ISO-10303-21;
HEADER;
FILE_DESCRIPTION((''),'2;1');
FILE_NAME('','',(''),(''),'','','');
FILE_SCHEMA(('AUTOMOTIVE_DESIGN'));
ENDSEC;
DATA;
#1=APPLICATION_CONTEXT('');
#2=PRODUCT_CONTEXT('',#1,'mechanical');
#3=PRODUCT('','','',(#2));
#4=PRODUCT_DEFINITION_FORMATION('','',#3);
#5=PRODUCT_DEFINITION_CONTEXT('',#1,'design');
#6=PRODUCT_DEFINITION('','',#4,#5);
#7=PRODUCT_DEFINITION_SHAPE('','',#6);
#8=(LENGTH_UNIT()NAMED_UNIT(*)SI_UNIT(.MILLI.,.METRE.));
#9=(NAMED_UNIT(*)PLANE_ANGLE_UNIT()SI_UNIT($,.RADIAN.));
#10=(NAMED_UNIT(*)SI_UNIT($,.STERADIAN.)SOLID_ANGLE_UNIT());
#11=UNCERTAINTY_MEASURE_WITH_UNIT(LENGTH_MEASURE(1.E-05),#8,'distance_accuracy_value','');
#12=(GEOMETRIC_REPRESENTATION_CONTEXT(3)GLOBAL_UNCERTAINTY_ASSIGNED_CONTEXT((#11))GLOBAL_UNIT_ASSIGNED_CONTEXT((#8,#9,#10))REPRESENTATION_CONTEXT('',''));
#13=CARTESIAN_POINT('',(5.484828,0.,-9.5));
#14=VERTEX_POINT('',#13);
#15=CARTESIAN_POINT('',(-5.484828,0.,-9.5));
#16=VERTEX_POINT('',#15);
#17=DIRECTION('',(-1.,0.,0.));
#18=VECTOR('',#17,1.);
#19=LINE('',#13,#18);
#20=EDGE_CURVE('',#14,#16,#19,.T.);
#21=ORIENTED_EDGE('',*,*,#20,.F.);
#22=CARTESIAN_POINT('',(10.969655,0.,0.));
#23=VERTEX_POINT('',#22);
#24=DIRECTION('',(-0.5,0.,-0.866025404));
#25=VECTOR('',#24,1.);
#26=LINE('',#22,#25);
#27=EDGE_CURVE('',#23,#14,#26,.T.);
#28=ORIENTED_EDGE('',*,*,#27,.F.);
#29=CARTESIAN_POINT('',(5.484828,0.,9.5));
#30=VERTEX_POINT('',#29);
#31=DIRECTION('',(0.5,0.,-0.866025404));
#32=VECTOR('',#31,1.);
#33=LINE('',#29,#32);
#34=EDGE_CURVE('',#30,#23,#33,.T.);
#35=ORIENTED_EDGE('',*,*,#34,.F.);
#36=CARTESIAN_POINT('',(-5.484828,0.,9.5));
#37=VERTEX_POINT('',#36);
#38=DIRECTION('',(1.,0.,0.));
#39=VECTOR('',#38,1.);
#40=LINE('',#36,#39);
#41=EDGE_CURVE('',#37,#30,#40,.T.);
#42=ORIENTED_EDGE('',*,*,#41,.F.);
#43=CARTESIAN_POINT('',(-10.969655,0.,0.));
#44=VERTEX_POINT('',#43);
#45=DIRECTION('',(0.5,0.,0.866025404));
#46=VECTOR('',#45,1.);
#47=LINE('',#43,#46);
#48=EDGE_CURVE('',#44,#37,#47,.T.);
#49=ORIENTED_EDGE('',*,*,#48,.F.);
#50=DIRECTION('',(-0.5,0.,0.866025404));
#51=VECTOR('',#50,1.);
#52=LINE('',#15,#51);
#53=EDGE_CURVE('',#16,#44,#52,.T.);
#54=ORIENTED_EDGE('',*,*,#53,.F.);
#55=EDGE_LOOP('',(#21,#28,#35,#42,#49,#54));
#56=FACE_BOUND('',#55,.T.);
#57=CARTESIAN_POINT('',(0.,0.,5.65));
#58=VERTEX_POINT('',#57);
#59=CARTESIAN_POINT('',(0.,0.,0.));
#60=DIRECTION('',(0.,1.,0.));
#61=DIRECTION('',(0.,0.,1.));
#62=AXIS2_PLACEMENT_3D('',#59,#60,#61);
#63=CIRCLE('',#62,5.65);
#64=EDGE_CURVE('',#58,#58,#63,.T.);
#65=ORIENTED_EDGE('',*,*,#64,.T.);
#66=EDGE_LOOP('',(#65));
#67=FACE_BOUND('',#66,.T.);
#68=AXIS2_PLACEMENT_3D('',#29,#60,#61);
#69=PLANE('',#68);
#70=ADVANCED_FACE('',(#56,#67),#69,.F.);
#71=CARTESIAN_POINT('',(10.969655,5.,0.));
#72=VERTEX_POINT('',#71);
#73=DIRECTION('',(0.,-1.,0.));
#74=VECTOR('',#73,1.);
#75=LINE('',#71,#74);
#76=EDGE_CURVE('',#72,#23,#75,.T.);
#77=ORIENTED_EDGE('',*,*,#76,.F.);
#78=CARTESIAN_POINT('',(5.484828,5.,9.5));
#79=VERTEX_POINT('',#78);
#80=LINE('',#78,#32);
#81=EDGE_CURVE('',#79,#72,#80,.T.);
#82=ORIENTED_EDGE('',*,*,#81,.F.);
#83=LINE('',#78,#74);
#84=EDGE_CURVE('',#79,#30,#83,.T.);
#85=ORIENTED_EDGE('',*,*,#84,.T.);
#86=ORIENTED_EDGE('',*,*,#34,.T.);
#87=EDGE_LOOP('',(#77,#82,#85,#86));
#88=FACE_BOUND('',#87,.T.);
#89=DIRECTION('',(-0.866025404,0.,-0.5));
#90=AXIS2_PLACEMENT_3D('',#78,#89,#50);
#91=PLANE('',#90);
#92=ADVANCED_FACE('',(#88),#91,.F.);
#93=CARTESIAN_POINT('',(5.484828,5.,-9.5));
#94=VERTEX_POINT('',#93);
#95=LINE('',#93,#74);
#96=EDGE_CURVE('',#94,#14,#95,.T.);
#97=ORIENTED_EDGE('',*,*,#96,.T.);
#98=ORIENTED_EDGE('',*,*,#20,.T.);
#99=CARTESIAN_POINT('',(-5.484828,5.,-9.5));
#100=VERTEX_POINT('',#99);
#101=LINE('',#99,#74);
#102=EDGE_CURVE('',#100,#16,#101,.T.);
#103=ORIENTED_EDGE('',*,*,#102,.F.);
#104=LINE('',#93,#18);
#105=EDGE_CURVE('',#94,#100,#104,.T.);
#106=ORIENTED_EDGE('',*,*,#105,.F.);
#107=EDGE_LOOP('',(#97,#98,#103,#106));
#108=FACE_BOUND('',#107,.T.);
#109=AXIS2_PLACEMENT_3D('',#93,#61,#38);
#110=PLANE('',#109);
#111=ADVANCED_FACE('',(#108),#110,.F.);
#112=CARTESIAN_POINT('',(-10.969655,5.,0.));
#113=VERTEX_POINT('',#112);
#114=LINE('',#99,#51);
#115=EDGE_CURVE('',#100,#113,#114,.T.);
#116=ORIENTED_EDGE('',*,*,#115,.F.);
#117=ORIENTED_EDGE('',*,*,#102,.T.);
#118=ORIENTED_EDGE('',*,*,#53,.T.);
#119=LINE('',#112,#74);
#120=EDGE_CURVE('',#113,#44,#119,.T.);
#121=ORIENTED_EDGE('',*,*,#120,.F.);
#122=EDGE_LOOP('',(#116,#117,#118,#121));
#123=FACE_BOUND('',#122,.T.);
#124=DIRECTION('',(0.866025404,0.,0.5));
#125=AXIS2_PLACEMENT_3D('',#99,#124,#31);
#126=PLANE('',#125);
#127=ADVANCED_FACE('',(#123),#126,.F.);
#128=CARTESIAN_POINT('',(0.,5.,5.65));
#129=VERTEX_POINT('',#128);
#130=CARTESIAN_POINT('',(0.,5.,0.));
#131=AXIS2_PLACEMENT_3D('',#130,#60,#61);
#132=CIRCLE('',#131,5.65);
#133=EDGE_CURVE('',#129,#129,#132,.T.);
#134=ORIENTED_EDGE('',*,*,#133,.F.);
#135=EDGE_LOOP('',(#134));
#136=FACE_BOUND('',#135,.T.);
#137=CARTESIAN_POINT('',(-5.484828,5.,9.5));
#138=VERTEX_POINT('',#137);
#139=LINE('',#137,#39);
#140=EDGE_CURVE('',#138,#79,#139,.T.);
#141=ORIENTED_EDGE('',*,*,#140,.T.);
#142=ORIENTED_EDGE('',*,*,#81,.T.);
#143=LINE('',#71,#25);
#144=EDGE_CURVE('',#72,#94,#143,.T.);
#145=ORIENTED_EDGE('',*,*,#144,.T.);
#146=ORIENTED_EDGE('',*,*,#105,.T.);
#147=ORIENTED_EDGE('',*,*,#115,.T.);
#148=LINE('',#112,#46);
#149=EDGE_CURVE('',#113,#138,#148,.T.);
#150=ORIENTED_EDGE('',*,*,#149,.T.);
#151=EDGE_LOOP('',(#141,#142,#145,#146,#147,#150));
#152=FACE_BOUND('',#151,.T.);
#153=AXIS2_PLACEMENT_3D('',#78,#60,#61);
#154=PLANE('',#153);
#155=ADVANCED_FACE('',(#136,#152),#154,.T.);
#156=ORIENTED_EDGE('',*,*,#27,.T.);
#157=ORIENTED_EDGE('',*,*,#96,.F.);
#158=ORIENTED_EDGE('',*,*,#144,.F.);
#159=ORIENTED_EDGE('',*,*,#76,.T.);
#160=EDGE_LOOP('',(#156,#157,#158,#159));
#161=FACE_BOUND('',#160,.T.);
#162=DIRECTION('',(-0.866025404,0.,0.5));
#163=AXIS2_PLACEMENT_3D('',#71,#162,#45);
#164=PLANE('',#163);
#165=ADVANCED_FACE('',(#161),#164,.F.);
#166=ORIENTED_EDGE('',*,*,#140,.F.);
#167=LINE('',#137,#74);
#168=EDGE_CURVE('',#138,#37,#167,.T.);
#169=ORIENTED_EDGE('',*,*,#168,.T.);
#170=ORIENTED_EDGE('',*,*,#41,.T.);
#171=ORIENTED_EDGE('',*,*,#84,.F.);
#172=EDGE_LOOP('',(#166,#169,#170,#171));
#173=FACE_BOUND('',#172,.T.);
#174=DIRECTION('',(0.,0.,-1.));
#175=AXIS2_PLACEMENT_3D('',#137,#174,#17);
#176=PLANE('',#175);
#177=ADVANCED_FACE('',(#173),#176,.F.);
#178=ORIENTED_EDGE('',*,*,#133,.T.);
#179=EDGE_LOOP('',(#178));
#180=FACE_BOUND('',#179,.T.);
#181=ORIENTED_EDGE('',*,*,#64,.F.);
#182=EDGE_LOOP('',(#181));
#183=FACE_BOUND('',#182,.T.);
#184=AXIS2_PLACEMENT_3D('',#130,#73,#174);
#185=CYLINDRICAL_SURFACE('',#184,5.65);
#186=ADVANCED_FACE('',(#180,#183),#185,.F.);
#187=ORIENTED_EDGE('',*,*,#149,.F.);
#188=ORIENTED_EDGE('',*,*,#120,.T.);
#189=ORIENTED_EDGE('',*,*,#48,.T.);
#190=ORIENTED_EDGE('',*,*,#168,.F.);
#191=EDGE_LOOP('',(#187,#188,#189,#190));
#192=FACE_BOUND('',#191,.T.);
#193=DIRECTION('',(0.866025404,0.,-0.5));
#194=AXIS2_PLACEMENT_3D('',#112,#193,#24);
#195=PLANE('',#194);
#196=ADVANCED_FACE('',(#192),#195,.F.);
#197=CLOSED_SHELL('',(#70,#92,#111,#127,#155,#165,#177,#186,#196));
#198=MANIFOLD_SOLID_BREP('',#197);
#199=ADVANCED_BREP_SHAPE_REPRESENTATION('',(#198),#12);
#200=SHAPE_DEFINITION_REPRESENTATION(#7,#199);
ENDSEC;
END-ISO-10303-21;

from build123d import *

# Parameters (mm, degrees)
ESQUISSE1_R      = 5.65
EXTRUSION1_DEPTH = 5


with BuildPart() as part:
    # Esquisse1 → Extrusion1 (new body)
    with BuildSketch(Plane(origin=(0, 0, 0), x_dir=(1, 0, 0), z_dir=(0, 1, 0))):
        Polygon((5.484827557, -9.5), (10.969655115, 0), (5.484827557, 9.5), (-5.484827557, 9.5), (-10.969655115, 0), (-5.484827557, -9.5), align=None)
        with Locations(Location((0, 0, 0), (0, 0, 270))):
            Circle(ESQUISSE1_R, mode=Mode.SUBTRACT)
    extrude(amount=EXTRUSION1_DEPTH)


solid = part.part
